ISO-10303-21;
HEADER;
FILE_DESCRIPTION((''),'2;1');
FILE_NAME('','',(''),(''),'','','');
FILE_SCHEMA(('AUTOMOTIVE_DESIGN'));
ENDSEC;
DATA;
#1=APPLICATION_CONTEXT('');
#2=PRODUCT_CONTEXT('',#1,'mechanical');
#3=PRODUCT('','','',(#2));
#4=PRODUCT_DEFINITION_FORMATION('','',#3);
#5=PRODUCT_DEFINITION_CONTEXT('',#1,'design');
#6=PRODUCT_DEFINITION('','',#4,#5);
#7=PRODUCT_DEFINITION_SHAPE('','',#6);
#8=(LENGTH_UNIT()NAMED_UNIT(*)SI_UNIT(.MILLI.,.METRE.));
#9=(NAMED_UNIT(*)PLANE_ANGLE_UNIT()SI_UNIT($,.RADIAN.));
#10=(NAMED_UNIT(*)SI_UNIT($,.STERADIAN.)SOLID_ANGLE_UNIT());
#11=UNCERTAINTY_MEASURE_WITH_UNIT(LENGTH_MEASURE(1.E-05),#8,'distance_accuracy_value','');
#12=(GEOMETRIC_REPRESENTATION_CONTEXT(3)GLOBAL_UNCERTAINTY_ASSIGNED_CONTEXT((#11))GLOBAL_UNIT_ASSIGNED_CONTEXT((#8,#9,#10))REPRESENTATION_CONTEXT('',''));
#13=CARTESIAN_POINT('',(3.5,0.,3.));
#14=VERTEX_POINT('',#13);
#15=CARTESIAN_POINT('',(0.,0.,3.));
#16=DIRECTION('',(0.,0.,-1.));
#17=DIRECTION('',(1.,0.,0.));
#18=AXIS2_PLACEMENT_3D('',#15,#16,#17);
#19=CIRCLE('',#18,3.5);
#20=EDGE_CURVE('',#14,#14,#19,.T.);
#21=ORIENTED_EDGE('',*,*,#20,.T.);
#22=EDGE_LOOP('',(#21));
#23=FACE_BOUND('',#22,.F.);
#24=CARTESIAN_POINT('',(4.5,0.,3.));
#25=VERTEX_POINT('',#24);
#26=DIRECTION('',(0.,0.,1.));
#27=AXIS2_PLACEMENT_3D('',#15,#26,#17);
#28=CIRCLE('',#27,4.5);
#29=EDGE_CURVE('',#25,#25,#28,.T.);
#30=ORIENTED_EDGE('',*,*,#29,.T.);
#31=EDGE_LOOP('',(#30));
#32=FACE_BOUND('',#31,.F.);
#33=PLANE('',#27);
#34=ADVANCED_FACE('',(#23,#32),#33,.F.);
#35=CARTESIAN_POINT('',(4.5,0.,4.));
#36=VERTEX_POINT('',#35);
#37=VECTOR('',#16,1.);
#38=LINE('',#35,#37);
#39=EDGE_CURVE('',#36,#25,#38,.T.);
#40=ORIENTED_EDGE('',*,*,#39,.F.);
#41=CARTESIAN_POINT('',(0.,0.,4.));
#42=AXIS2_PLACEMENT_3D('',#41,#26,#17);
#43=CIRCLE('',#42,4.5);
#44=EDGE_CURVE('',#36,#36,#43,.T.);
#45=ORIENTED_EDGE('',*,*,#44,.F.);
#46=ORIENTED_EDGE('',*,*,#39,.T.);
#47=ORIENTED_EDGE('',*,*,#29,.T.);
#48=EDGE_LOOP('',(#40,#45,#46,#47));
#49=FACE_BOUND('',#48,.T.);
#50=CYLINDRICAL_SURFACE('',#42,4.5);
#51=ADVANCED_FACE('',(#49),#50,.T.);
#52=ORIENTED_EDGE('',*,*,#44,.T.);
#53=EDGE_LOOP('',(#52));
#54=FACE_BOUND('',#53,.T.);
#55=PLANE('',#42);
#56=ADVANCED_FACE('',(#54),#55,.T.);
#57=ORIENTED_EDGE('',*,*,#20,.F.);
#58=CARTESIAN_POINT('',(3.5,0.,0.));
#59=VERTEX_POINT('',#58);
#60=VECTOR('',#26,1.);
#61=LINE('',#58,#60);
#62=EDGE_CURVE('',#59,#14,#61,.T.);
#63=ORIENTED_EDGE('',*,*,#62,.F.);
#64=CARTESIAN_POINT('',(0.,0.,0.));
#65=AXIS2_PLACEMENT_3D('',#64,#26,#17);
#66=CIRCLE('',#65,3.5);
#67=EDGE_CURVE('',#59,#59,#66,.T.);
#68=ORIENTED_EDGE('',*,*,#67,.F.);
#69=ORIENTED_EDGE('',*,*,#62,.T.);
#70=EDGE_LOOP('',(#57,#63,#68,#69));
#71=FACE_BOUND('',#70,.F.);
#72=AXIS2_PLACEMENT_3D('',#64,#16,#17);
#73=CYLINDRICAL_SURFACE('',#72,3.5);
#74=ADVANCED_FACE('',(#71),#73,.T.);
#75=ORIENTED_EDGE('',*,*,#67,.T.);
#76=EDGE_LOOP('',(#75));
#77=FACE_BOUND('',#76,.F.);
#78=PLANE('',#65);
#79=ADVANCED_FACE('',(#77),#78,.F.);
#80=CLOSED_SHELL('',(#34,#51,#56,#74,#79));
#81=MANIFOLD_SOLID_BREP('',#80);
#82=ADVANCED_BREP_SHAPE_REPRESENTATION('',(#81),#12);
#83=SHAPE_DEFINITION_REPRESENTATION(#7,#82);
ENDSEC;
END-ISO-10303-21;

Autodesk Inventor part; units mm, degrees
ref_plane "YZ Plane" through (0, 0, 0) normal (1, 0, 0) x (0, 1, 0)
ref_plane "XZ Plane" through (0, 0, 0) normal (0, 1, 0) x (-1, 0, 0)
ref_plane "XY Plane" through (0, 0, 0) normal (0, 0, 1) x (1, 0, 0)
sketch "Skizze1" plane through (0, 0, 0) normal (0, 0, 1) x (1, 0, 0)
  circle A0 centre (0, 0) radius 3.5
  dimension "d0" = 7
extrude "Extrusion1" add sketch "Skizze1" along normal blind 4
sketch "Skizze2" plane through (0, 0, 4) normal (0, 0, 1) x (1, 0, 0)
  circle A0 centre (0, 0) radius 3.5 projected
  circle A1 centre (0, 0) radius 4.5
  dimension "d3" = 9
extrude "Extrusion2" add sketch "Skizze2" against normal blind 1 contours A0 | A1
properties part number "00_ESP32_Cam_Lens"
